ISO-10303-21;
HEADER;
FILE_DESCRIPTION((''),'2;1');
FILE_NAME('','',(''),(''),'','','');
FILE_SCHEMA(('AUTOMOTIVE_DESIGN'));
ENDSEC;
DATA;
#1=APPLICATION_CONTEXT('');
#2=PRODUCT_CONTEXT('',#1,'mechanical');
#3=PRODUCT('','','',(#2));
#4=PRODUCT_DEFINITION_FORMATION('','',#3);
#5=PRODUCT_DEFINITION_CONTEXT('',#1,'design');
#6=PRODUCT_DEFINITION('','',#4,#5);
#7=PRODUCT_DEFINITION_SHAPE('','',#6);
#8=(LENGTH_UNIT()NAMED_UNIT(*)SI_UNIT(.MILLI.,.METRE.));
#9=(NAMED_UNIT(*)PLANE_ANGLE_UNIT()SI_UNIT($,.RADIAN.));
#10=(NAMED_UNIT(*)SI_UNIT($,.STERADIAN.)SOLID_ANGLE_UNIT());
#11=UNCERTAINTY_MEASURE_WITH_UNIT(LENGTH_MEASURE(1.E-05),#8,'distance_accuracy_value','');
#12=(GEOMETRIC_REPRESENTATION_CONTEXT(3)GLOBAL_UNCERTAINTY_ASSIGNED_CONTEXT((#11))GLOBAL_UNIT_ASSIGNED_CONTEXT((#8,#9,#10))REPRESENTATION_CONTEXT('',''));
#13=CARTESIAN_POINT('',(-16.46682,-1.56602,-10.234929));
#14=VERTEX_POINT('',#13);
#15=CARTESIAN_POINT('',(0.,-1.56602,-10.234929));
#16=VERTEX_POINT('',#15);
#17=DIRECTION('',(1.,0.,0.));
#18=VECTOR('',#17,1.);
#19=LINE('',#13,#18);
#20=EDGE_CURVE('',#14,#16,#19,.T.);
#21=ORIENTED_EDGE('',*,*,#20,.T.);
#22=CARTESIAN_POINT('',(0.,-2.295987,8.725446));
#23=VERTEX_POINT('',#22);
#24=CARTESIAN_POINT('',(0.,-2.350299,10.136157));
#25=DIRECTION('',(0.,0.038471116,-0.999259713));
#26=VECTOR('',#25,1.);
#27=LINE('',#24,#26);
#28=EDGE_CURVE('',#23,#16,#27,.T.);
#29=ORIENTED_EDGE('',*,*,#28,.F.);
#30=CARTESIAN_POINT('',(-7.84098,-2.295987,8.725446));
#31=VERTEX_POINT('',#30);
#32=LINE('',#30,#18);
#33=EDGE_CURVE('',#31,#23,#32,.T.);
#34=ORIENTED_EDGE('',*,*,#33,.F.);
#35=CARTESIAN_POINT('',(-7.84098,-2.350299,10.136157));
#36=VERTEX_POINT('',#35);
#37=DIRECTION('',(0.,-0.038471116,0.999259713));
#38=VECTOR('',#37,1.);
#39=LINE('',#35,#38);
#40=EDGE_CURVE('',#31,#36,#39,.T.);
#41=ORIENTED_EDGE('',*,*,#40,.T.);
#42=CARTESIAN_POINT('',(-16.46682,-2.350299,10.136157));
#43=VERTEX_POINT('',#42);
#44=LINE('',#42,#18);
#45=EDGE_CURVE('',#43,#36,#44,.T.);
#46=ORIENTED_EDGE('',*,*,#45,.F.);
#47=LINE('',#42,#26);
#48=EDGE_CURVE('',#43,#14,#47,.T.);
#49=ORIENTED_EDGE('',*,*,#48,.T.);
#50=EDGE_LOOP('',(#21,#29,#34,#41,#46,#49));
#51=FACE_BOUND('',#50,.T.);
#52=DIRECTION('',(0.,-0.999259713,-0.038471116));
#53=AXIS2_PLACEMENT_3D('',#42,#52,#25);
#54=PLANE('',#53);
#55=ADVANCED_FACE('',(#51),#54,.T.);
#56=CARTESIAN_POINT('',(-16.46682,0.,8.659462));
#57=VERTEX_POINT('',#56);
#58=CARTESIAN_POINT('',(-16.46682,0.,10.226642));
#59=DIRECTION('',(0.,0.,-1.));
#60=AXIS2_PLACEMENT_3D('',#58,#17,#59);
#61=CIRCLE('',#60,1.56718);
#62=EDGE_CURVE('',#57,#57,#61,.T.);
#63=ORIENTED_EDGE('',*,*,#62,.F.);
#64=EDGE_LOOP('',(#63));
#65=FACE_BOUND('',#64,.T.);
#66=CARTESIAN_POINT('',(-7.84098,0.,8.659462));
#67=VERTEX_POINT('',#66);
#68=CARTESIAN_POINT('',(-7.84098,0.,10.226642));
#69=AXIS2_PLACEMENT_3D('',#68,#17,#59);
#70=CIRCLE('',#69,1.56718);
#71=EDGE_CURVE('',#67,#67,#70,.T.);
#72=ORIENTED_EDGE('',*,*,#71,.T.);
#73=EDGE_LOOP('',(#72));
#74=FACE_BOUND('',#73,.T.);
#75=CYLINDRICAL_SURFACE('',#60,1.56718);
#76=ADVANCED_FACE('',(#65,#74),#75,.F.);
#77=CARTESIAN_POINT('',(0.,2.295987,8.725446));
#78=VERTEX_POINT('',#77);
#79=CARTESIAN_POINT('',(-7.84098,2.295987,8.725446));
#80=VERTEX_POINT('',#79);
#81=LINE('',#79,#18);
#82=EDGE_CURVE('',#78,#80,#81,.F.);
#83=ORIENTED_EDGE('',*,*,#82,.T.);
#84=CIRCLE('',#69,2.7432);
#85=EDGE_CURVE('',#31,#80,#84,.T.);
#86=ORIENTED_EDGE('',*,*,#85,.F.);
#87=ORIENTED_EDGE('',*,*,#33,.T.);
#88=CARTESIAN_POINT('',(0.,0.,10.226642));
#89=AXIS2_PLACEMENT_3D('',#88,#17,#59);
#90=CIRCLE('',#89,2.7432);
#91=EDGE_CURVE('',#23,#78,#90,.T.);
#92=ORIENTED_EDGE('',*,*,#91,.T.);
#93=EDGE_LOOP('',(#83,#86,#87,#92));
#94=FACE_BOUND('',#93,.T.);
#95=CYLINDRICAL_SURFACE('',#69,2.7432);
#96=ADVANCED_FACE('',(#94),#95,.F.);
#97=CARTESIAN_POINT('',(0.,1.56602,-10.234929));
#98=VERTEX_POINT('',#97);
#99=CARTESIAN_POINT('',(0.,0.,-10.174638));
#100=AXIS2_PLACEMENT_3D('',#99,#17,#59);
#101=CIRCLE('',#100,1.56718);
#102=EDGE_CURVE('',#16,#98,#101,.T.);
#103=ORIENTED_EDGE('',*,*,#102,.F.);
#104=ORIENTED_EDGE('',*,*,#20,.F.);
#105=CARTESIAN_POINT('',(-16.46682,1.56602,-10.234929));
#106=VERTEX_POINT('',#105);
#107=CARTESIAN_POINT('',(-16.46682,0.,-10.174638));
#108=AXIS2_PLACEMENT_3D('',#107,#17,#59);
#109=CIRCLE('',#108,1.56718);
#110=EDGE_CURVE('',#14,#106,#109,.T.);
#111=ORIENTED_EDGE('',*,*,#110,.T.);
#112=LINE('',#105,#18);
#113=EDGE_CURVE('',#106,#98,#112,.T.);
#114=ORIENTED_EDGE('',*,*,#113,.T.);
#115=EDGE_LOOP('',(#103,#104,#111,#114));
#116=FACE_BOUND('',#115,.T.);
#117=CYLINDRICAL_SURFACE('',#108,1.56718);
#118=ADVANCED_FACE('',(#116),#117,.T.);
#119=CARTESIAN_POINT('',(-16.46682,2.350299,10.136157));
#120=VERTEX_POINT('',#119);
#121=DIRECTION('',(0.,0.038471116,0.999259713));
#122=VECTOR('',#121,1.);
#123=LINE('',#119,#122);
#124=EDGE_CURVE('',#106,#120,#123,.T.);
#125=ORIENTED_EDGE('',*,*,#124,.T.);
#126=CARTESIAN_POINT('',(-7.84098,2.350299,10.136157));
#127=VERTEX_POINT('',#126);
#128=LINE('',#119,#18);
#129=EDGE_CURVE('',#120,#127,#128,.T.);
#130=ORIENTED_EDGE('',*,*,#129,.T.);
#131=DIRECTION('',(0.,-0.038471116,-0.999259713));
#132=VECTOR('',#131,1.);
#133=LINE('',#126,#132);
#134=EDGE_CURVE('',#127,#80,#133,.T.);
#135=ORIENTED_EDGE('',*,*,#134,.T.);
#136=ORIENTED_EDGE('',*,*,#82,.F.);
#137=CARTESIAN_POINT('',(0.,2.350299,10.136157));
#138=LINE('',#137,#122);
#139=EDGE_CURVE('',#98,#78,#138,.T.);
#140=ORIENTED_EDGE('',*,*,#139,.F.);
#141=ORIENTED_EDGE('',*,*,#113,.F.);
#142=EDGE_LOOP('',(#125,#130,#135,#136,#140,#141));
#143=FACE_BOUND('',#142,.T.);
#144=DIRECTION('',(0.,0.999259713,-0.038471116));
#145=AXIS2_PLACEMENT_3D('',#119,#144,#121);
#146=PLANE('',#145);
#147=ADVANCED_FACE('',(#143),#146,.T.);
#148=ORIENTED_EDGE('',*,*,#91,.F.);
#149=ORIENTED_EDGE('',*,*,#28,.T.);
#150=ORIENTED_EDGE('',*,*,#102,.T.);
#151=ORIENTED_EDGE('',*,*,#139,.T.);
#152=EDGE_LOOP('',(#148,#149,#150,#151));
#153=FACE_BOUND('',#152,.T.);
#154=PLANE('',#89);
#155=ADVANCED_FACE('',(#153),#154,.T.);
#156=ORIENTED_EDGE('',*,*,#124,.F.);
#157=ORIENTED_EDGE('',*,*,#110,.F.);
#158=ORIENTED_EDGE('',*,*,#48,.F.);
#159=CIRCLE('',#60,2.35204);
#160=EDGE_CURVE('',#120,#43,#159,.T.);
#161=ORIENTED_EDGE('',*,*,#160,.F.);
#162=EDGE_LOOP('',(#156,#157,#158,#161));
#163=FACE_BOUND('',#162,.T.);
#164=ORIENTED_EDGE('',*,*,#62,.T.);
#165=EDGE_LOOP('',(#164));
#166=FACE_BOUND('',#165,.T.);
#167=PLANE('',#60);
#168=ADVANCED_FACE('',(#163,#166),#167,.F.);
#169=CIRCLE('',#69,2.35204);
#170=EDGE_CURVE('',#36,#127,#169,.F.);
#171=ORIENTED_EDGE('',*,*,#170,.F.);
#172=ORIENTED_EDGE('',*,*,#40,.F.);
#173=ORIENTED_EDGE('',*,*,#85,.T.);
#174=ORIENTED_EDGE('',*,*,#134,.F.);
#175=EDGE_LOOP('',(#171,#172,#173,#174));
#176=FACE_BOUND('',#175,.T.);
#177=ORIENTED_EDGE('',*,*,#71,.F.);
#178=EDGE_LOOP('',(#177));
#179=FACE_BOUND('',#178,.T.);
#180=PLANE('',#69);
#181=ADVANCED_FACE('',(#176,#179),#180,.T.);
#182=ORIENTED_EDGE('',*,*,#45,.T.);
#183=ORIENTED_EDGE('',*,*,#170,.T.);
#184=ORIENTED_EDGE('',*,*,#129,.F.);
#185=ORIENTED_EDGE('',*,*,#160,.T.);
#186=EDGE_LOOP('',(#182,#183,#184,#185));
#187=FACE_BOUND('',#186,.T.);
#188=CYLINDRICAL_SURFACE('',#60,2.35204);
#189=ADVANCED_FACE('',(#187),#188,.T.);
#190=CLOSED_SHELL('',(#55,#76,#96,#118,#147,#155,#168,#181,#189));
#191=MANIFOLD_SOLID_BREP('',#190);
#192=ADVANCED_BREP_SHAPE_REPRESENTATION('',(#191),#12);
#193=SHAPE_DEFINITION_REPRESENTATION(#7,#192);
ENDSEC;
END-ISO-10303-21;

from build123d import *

# Parameters (mm, degrees)
BOSS_EXTRUDE1_DEPTH = 16.46682
SKETCH2_R           = 2.7432
CUT_EXTRUDE1_DEPTH  = 7.84098
SKETCH3_R           = 1.56718
CUT_EXTRUDE2_DEPTH  = 9.62584


with BuildPart() as part:
    # Sketch1 → Boss-Extrude1 (new body)
    with BuildSketch(Plane(origin=(0, 0, 0), x_dir=(0, 0, -1), z_dir=(1, 0, 0))):
        with BuildLine():
            Line((-10.13615668, 2.350298814), (10.23492888, 1.566019836))
            ThreePointArc((10.23492888, 1.566019836), (11.741817718, 0), (10.23492888, -1.566019836))
            Line((10.23492888, -1.566019836), (-10.13615668, -2.350298814))
            ThreePointArc((-10.13615668, -2.350298814), (-12.578682282, 0), (-10.13615668, 2.350298814))
        make_face()
    extrude(amount=-BOSS_EXTRUDE1_DEPTH)

    # Sketch2 → Cut-Extrude1 (cut)
    with BuildSketch(Plane(origin=(0, 0, 0), x_dir=(0, 0, -1), z_dir=(1, 0, 0))):
        with Locations((-10.226642282, 0)):
            Circle(SKETCH2_R)
    extrude(amount=-CUT_EXTRUDE1_DEPTH, mode=Mode.SUBTRACT)

    # Sketch3 → Cut-Extrude2 (cut, through all)
    with BuildSketch(Plane(origin=(-7.84098, 0, 0), x_dir=(0, 0, -1), z_dir=(1, 0, 0))):
        with Locations((-10.226642282, 0)):
            Circle(SKETCH3_R)
    extrude(amount=-CUT_EXTRUDE2_DEPTH, mode=Mode.SUBTRACT)


solid = part.part
